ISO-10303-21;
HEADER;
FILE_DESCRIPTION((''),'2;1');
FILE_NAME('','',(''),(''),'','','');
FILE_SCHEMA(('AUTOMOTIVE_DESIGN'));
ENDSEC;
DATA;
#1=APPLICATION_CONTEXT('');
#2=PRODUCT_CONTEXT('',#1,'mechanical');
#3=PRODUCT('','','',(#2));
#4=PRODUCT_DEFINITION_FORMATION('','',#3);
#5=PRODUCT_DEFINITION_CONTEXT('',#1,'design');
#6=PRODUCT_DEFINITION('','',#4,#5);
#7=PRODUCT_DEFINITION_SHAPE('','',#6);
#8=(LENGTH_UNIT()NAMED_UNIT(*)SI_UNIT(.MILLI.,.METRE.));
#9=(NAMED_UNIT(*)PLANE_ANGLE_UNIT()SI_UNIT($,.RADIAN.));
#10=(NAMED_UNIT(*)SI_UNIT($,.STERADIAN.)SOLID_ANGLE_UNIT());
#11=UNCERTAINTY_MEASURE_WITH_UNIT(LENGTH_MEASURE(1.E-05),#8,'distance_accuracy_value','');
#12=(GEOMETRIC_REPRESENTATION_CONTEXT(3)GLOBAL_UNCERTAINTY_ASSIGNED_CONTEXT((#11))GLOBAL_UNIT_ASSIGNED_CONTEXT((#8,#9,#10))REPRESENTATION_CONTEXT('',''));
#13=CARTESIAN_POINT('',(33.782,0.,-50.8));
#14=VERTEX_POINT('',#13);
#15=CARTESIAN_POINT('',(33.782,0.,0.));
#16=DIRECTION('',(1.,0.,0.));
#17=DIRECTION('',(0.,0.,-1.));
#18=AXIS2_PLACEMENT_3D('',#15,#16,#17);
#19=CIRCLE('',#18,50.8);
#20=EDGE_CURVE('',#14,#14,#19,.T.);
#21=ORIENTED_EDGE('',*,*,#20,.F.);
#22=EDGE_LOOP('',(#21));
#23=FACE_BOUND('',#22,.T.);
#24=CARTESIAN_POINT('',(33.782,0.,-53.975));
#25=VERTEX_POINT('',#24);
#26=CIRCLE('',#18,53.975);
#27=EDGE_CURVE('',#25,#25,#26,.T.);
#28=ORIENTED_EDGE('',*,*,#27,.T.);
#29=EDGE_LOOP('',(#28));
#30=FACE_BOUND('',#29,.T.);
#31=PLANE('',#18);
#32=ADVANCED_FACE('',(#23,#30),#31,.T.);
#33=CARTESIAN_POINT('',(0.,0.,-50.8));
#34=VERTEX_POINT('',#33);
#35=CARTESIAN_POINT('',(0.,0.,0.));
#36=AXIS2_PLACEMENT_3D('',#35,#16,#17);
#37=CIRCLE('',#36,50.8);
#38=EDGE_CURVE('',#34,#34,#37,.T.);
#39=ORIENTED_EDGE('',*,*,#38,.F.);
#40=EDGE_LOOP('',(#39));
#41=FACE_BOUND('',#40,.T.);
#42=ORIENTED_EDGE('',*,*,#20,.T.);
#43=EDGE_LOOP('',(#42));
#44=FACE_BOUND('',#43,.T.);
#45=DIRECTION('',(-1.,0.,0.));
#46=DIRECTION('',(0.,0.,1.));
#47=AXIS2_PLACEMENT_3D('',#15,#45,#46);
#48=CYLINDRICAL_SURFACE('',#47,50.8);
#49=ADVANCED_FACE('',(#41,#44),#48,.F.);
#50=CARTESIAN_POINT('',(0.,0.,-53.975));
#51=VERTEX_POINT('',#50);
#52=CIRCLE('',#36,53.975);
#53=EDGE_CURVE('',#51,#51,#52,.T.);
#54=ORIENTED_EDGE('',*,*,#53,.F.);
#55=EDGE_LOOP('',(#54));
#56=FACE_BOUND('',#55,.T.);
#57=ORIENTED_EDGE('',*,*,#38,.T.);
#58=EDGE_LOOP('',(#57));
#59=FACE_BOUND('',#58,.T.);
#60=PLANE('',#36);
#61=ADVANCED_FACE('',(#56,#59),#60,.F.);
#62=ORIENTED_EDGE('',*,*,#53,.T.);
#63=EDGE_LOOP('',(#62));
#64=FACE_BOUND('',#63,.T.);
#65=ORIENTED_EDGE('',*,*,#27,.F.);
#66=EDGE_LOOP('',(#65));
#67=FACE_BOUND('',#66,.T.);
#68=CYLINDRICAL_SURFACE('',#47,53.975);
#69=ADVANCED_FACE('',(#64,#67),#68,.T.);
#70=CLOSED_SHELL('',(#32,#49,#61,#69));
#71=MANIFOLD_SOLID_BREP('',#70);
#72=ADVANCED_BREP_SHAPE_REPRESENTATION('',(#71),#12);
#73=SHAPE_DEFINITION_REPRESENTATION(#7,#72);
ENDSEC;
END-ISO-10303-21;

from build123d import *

# Parameters (mm, degrees)
SKETCH1_R           = 53.975
SKETCH1_R_2         = 50.8
BOSS_EXTRUDE1_DEPTH = 33.782


with BuildPart() as part:
    # Sketch1 → Boss-Extrude1 (new body)
    with BuildSketch(Plane(origin=(0, 0, 0), x_dir=(0, 0, -1), z_dir=(1, 0, 0))):
        Circle(SKETCH1_R)
        Circle(SKETCH1_R_2, mode=Mode.SUBTRACT)
    extrude(amount=BOSS_EXTRUDE1_DEPTH)


solid = part.part
